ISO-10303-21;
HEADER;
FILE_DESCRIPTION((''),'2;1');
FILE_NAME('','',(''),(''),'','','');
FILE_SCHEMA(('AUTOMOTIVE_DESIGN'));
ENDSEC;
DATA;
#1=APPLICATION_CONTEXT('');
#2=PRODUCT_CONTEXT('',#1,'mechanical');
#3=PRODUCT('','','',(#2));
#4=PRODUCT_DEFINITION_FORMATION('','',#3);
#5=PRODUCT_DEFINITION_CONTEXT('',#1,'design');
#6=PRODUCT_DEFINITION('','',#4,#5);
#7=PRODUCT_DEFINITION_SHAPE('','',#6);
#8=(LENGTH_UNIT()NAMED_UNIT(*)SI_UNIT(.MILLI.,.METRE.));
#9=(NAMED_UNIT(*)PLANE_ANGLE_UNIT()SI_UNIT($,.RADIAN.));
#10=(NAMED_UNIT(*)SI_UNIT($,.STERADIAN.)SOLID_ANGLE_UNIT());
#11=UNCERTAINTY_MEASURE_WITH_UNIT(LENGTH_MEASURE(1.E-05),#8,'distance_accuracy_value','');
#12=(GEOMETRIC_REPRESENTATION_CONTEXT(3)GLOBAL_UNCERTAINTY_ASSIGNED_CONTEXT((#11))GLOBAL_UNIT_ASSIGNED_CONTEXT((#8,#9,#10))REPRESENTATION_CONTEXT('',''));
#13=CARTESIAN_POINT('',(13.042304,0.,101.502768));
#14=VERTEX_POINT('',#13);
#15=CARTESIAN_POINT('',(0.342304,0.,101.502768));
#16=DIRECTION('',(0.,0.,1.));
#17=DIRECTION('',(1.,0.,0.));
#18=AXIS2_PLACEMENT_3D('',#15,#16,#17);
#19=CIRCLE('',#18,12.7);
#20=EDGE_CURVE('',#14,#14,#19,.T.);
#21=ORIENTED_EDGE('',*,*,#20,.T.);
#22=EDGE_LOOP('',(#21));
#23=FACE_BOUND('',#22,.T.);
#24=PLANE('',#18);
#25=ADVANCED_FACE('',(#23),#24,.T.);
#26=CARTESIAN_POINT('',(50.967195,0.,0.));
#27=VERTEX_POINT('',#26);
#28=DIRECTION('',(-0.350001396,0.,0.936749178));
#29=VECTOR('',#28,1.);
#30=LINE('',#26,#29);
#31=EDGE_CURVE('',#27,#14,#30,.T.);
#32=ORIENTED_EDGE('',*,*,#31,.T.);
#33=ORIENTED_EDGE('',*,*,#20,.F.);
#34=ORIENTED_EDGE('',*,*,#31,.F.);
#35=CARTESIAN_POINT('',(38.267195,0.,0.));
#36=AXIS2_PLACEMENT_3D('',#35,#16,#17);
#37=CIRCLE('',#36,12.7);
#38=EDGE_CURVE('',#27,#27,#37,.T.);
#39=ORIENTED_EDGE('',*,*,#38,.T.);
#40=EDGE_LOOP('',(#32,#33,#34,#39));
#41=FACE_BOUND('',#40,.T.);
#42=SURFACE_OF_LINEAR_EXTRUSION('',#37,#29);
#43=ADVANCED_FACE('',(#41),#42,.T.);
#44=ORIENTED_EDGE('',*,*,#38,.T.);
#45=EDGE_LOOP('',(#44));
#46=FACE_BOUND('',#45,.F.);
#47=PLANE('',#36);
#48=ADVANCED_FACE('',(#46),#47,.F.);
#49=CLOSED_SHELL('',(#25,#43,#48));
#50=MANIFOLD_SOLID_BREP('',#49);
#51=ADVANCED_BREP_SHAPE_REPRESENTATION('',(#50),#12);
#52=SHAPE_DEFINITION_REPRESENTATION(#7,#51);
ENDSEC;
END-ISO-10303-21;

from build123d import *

# Parameters (mm, degrees)
F2_R = 12.7


with BuildPart() as f3:
    # F3: sweep along a path in F1
    with BuildLine(Plane.XZ) as f3_path:
        Line((75.906619, 0), (37.981728, 101.502768))
    # F2 (on Top) → F3 (sweep)
    with BuildSketch(Plane.XY):
        with Locations((38.267195, 0)):
            Circle(F2_R)
    sweep(path=f3_path.line)


solid = f3.part
